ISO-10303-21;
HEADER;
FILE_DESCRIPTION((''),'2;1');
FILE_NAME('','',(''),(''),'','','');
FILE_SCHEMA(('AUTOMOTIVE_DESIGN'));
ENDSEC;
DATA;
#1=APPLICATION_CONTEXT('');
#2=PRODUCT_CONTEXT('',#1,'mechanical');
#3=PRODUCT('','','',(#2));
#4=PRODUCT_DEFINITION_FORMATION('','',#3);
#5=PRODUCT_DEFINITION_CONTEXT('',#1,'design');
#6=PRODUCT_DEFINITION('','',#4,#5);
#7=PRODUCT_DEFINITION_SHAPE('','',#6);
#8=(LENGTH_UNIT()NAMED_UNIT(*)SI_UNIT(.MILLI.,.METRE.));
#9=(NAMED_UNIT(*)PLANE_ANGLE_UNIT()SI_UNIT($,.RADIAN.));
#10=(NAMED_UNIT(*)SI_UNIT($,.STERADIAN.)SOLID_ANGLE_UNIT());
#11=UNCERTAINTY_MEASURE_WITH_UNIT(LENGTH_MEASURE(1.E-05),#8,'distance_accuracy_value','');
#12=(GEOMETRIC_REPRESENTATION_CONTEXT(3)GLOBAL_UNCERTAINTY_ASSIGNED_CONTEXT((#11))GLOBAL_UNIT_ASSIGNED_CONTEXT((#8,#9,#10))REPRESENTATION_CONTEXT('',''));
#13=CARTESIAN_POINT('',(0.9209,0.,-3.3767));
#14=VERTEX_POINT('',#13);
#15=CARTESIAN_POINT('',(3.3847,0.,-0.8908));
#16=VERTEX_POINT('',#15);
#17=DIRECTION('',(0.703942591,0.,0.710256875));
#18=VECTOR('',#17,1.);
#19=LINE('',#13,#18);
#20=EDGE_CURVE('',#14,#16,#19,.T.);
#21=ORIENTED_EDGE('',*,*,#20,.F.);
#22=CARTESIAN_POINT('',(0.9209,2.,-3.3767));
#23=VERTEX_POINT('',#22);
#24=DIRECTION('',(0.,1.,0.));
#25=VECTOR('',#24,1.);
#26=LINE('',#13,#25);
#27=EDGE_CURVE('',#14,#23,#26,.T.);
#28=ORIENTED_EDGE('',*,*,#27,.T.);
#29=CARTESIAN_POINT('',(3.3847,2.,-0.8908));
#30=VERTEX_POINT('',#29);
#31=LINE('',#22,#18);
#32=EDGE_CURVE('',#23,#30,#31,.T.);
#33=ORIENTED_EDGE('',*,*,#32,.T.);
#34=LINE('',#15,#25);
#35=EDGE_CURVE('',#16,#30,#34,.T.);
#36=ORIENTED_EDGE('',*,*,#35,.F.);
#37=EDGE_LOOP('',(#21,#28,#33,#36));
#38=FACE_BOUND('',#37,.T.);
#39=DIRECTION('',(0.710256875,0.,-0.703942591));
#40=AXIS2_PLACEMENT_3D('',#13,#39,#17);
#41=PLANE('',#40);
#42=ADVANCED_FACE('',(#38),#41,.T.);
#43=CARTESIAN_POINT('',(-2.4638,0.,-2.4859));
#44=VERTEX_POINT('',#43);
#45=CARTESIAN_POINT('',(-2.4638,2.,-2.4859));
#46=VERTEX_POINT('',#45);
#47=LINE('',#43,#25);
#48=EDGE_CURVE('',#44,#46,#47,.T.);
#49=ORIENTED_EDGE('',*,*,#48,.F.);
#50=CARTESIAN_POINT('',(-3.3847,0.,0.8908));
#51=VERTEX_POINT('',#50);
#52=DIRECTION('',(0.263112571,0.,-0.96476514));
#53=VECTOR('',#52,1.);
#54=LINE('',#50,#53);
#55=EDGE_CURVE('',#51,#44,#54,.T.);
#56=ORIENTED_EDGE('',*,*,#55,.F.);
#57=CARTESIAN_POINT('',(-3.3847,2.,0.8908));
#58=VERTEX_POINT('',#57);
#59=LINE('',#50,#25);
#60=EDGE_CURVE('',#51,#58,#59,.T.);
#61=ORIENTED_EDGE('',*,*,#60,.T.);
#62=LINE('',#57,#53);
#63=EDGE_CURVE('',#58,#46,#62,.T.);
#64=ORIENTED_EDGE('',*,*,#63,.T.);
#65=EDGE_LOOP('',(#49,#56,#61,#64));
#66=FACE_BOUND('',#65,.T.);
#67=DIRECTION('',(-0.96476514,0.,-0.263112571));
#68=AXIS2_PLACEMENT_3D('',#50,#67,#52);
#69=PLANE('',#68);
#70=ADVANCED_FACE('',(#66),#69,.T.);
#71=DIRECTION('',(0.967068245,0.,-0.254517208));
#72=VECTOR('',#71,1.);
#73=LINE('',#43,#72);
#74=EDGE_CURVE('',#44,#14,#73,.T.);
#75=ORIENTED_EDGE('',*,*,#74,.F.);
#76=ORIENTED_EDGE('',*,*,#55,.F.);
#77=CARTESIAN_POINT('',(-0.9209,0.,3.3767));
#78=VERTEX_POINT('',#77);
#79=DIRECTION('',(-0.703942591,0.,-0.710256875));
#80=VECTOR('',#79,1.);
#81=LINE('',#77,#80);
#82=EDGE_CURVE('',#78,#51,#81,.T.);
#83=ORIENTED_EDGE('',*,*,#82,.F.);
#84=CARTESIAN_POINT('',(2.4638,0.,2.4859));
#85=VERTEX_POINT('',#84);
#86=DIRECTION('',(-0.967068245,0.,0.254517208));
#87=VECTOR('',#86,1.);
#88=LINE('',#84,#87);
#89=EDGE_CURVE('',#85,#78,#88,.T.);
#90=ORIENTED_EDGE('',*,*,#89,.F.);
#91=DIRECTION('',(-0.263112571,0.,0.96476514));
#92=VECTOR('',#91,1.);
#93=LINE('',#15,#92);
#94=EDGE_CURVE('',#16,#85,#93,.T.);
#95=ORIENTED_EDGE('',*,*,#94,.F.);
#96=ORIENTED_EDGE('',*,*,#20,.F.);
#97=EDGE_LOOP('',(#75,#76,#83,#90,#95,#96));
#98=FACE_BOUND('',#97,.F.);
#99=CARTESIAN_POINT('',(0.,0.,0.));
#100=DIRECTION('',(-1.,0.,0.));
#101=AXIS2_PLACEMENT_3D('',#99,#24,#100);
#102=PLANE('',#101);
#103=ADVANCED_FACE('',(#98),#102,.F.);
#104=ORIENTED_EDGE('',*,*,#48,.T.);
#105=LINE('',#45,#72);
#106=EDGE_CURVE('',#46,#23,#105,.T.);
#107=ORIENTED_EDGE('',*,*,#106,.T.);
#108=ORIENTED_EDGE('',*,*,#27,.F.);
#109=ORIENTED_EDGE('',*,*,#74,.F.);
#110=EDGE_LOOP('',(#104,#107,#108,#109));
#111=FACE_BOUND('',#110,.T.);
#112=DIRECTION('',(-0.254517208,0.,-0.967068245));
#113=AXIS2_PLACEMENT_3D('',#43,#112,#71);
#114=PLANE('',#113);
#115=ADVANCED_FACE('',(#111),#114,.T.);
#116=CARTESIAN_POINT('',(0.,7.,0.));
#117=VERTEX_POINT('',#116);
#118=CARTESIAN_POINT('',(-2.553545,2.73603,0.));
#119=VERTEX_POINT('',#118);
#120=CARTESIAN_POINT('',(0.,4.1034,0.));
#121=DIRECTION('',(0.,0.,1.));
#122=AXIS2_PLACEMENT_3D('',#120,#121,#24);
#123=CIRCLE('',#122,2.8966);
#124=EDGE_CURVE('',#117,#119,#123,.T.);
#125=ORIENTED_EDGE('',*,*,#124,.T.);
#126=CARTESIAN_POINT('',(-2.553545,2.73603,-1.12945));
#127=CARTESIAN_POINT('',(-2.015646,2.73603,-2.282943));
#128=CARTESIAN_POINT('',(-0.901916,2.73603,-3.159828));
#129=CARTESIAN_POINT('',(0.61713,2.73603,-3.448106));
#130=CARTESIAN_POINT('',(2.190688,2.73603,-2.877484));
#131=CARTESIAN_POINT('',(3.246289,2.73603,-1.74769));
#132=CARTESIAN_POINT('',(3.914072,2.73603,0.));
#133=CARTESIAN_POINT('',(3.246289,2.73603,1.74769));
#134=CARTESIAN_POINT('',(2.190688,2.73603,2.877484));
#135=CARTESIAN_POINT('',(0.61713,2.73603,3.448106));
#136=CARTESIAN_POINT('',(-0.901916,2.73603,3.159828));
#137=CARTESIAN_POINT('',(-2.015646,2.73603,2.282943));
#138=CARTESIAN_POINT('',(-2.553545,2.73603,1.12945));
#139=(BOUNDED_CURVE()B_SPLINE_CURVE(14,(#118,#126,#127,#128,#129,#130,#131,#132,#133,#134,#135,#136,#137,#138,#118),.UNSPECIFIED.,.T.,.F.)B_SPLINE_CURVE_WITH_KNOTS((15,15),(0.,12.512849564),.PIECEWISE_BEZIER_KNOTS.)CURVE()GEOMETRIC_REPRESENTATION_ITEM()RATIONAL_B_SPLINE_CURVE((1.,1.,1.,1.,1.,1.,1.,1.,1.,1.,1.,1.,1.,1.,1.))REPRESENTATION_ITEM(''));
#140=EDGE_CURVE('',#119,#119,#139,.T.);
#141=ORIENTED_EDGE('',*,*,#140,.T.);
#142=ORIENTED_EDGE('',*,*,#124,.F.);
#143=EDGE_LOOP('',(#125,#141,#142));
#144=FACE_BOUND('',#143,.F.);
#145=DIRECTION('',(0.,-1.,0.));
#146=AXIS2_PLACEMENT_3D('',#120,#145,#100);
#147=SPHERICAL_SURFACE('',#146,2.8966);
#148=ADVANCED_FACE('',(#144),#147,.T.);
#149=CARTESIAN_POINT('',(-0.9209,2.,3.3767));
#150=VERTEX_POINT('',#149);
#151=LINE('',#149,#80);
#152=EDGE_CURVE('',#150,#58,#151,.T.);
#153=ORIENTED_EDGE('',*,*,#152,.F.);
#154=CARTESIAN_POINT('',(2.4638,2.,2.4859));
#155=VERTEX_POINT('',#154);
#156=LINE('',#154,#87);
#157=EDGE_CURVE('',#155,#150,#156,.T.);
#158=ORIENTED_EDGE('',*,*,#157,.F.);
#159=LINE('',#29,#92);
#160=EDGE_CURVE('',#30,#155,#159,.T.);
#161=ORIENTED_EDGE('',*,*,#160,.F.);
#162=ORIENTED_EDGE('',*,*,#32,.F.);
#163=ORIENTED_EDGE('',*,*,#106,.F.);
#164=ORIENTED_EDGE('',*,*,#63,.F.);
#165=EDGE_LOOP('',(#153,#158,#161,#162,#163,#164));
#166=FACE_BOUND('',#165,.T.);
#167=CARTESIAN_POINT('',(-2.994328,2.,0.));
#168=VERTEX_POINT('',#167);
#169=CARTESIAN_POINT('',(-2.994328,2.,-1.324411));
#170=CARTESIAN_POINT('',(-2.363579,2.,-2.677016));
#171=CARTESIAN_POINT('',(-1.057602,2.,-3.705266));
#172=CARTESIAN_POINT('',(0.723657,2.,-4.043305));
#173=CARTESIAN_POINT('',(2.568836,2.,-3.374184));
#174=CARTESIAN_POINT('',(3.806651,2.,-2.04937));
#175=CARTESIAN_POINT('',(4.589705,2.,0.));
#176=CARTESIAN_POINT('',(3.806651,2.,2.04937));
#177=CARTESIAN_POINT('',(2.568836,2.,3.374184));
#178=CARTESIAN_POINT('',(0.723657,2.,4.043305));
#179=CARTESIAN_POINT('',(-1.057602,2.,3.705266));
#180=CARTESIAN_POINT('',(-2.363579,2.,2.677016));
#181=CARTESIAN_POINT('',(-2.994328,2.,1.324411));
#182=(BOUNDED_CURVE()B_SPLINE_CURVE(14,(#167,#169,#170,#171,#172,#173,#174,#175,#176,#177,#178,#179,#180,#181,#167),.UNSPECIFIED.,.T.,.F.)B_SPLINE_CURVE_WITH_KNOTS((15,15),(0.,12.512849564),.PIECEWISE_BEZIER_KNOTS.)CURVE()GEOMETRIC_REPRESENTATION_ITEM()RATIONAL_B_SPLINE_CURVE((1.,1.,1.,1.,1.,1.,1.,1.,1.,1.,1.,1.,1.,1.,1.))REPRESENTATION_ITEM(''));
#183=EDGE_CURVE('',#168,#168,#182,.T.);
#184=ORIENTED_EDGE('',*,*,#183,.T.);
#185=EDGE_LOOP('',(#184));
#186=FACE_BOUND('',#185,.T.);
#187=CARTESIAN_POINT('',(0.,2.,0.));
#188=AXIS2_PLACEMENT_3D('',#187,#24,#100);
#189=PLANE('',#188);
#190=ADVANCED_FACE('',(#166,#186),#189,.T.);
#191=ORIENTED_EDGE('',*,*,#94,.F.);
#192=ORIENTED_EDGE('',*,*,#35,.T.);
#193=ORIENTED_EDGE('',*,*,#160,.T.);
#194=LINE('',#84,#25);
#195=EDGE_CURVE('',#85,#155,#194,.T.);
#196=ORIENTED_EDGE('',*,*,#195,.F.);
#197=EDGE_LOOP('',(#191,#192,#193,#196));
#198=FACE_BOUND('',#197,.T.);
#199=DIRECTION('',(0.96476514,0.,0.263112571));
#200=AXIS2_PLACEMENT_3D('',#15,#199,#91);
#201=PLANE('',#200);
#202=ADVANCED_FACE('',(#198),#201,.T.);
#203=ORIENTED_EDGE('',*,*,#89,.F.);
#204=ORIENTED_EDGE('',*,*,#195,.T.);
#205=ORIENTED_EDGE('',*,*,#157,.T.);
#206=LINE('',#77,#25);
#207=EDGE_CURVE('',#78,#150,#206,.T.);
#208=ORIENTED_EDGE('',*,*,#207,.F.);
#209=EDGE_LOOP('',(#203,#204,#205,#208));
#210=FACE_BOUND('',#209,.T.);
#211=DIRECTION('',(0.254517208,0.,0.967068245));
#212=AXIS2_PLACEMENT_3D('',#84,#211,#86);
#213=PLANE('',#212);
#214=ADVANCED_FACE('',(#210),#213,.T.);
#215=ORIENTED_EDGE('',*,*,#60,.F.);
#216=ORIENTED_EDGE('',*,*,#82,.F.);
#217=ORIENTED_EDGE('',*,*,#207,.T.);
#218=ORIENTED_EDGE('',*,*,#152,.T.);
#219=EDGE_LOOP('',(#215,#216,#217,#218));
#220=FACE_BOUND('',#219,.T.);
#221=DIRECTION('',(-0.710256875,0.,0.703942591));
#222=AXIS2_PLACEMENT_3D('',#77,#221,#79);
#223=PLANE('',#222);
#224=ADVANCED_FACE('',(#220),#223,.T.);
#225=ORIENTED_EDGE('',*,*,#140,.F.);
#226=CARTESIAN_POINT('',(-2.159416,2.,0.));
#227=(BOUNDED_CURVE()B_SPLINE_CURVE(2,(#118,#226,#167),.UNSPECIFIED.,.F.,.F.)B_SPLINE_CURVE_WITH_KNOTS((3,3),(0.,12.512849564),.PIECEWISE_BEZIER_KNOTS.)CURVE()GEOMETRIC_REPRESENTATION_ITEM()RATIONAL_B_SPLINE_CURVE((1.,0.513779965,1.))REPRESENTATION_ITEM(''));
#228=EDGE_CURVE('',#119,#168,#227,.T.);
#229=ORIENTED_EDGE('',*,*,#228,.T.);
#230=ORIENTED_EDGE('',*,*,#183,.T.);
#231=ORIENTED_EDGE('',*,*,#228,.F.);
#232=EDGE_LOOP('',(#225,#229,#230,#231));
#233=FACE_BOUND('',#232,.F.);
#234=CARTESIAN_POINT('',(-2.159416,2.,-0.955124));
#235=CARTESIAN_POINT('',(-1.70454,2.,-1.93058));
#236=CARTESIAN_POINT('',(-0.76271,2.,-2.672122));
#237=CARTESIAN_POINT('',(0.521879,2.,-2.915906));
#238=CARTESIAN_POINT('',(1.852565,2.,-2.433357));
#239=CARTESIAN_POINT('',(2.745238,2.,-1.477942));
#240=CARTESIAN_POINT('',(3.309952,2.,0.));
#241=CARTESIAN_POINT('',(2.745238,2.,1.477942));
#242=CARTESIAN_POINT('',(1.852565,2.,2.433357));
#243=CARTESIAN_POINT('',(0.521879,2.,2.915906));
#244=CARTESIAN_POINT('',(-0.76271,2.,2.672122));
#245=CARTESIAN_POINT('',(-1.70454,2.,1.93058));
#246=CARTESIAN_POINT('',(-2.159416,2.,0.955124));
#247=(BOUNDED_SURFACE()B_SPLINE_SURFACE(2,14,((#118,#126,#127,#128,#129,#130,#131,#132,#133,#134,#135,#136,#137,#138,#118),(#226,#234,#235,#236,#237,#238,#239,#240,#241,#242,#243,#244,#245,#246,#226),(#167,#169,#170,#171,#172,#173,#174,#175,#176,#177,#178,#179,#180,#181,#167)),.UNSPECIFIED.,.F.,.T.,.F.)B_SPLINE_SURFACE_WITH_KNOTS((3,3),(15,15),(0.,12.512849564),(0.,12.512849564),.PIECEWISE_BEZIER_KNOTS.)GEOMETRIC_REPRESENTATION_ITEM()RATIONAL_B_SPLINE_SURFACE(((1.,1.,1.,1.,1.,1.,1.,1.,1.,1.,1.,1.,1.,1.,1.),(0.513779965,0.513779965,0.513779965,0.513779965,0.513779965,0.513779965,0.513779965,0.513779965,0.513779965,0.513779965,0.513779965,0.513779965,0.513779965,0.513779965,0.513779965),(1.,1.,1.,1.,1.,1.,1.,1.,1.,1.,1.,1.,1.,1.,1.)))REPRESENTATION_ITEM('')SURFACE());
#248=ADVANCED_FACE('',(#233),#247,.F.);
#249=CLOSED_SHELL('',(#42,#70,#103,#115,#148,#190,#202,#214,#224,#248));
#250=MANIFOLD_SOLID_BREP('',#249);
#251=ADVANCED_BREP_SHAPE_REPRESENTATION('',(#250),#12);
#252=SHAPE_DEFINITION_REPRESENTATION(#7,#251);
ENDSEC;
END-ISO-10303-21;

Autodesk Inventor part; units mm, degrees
ref_plane "YZ Plane" through (0, 0, 0) normal (1, 0, 0) x (0, 1, 0)
ref_plane "XZ Plane" through (0, 0, 0) normal (0, 1, 0) x (-1, 0, 0)
ref_plane "XY Plane" through (0, 0, 0) normal (0, 0, 1) x (1, 0, 0)
sketch "Sketch1" plane through (0, 0, 0) normal (0, 0, 1) x (1, 0, 0)
  line L0 (0, 0) -> (0, 7)
  line L1 (0, 0.1034) -> (0, 4.1034)
  arc A0 (0, 7) -> (0, 1.2068) centre (0, 4.1034) ccw
  dimension "d0" = 7
  dimension "d1" = 4
revolve "Revolution1" add sketch "Sketch1" angle 360 about axis through (0, 0.1034, 0) along (0, 1, 0)
sketch "Sketch2" plane through (0, 0, 0) normal (0, 1, 0) x (-1, 0, 0)
  circle A0 centre (0, 0) radius 3.5
  line L0 (0.9209, 3.3767) -> (3.3847, 0.8908)
  line L1 (3.3847, 0.8908) -> (2.4638, -2.4859)
  line L2 (2.4638, -2.4859) -> (-0.9209, -3.3767)
  line L3 (-0.9209, -3.3767) -> (-3.3847, -0.8908)
  line L4 (-3.3847, -0.8908) -> (-2.4638, 2.4859)
  line L5 (-2.4638, 2.4859) -> (0.9209, 3.3767)
  dimension "d3" = 7
extrude "Extrusion1" add sketch "Sketch2" along normal blind 2 contours L1 L2 L3 L4 L5 L0
fillet "Fillet1" radius 0.5 1 edges at (1.9914, 2, 0)
properties part number "5"
